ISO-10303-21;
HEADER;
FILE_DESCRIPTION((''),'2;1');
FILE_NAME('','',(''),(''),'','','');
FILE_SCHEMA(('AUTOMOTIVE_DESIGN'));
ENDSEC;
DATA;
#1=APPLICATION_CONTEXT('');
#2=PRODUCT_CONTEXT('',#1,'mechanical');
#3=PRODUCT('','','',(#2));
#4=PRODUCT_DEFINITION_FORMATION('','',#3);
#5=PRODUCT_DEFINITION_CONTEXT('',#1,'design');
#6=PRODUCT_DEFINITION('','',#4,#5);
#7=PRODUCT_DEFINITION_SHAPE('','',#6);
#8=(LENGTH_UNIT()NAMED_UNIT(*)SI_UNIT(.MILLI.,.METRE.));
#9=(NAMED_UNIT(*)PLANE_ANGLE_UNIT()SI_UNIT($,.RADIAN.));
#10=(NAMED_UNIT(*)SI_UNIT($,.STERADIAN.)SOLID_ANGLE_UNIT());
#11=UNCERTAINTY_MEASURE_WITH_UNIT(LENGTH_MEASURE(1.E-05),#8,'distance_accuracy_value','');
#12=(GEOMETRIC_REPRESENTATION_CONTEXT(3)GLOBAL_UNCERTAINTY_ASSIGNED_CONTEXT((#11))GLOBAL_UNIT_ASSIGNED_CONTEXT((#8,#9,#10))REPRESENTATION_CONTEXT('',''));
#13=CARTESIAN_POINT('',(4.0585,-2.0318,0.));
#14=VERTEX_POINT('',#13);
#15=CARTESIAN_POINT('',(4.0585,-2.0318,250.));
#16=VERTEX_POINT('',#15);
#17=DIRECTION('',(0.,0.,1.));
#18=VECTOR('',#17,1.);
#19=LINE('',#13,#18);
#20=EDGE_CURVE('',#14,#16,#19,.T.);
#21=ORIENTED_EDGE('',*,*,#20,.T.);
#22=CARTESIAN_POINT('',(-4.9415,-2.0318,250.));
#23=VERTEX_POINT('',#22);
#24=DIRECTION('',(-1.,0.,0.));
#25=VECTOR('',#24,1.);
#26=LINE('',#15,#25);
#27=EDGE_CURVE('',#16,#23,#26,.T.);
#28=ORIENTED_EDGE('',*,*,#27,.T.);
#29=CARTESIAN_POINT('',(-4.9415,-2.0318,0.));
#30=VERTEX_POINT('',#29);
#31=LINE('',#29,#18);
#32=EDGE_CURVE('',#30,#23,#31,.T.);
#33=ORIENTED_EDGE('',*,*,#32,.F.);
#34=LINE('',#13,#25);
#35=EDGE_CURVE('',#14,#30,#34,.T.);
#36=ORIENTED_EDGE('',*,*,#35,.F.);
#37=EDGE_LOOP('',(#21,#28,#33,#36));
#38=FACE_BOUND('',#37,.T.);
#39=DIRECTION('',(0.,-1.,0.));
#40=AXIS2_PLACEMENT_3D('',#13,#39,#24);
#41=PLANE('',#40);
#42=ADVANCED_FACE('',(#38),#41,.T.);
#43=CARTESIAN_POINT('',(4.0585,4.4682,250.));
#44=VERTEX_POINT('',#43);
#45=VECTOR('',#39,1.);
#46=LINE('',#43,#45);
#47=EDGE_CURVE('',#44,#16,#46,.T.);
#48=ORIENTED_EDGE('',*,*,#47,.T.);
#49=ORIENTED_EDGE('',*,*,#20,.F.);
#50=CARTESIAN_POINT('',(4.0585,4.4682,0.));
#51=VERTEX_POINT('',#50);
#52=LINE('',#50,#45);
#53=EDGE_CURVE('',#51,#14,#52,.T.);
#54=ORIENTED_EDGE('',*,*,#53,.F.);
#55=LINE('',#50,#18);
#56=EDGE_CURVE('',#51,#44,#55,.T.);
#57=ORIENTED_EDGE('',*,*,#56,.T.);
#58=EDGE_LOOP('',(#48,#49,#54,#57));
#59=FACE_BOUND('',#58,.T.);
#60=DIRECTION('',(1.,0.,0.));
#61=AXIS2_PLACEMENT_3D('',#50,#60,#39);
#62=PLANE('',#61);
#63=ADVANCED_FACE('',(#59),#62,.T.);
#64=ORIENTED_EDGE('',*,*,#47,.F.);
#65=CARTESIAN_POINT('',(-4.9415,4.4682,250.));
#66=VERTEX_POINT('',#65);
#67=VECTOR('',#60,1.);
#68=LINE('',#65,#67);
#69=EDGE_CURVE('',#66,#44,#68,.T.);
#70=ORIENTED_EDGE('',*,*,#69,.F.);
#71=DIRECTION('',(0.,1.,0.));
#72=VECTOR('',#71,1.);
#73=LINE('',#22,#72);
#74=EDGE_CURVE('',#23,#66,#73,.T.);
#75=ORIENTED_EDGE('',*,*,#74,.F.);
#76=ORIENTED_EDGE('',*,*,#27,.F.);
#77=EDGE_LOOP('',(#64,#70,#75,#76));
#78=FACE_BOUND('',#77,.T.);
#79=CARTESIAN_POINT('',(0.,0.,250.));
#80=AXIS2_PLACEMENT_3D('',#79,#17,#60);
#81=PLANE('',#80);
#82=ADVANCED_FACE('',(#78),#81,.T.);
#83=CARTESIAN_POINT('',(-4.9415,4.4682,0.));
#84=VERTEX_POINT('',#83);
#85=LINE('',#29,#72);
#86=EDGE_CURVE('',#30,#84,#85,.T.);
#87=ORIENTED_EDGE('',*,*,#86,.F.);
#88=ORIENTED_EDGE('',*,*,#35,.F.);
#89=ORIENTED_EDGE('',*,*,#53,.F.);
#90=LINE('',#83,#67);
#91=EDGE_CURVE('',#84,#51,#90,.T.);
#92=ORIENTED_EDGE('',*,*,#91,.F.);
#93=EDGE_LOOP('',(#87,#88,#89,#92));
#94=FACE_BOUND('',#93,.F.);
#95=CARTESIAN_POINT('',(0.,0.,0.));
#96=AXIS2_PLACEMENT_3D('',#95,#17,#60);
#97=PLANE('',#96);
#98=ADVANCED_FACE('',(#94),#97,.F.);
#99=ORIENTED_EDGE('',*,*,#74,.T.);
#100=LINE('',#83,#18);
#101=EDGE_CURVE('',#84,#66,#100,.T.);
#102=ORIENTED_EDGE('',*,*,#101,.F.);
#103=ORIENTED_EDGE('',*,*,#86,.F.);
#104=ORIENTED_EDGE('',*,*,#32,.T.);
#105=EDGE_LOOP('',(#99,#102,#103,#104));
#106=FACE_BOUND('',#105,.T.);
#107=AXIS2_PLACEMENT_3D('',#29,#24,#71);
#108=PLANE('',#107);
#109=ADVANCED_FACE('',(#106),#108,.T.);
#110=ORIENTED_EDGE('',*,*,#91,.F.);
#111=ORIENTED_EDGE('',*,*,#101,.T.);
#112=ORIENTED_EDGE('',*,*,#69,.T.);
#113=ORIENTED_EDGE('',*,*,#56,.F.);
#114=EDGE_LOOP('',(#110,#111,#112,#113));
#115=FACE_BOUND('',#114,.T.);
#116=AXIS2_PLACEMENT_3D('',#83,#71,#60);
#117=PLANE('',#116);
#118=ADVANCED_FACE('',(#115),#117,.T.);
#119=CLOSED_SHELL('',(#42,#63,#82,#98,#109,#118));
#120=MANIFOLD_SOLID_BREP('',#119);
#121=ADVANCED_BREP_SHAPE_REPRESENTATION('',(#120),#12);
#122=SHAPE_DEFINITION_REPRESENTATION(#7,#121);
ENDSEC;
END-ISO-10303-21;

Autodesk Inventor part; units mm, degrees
ref_plane "YZ Plane" through (0, 0, 0) normal (1, 0, 0) x (0, 1, 0)
ref_plane "XZ Plane" through (0, 0, 0) normal (0, 1, 0) x (-1, 0, 0)
ref_plane "XY Plane" through (0, 0, 0) normal (0, 0, 1) x (1, 0, 0)
sketch "Sketch1" plane through (0, 0, 0) normal (0, 0, 1) x (1, 0, 0)
  line L0 (-4.9415, 4.4682) -> (4.0585, 4.4682)
  line L1 (4.0585, 4.4682) -> (4.0585, -2.0318)
  line L2 (4.0585, -2.0318) -> (-4.9415, -2.0318)
  line L3 (-4.9415, -2.0318) -> (-4.9415, 4.4682)
  point P0 (0, 0)
  dimension "d0" = 9
  dimension "d1" = 6.5
extrude "Extrusion1" add sketch "Sketch1" along normal blind 250
properties part number "MGN9_rail"
